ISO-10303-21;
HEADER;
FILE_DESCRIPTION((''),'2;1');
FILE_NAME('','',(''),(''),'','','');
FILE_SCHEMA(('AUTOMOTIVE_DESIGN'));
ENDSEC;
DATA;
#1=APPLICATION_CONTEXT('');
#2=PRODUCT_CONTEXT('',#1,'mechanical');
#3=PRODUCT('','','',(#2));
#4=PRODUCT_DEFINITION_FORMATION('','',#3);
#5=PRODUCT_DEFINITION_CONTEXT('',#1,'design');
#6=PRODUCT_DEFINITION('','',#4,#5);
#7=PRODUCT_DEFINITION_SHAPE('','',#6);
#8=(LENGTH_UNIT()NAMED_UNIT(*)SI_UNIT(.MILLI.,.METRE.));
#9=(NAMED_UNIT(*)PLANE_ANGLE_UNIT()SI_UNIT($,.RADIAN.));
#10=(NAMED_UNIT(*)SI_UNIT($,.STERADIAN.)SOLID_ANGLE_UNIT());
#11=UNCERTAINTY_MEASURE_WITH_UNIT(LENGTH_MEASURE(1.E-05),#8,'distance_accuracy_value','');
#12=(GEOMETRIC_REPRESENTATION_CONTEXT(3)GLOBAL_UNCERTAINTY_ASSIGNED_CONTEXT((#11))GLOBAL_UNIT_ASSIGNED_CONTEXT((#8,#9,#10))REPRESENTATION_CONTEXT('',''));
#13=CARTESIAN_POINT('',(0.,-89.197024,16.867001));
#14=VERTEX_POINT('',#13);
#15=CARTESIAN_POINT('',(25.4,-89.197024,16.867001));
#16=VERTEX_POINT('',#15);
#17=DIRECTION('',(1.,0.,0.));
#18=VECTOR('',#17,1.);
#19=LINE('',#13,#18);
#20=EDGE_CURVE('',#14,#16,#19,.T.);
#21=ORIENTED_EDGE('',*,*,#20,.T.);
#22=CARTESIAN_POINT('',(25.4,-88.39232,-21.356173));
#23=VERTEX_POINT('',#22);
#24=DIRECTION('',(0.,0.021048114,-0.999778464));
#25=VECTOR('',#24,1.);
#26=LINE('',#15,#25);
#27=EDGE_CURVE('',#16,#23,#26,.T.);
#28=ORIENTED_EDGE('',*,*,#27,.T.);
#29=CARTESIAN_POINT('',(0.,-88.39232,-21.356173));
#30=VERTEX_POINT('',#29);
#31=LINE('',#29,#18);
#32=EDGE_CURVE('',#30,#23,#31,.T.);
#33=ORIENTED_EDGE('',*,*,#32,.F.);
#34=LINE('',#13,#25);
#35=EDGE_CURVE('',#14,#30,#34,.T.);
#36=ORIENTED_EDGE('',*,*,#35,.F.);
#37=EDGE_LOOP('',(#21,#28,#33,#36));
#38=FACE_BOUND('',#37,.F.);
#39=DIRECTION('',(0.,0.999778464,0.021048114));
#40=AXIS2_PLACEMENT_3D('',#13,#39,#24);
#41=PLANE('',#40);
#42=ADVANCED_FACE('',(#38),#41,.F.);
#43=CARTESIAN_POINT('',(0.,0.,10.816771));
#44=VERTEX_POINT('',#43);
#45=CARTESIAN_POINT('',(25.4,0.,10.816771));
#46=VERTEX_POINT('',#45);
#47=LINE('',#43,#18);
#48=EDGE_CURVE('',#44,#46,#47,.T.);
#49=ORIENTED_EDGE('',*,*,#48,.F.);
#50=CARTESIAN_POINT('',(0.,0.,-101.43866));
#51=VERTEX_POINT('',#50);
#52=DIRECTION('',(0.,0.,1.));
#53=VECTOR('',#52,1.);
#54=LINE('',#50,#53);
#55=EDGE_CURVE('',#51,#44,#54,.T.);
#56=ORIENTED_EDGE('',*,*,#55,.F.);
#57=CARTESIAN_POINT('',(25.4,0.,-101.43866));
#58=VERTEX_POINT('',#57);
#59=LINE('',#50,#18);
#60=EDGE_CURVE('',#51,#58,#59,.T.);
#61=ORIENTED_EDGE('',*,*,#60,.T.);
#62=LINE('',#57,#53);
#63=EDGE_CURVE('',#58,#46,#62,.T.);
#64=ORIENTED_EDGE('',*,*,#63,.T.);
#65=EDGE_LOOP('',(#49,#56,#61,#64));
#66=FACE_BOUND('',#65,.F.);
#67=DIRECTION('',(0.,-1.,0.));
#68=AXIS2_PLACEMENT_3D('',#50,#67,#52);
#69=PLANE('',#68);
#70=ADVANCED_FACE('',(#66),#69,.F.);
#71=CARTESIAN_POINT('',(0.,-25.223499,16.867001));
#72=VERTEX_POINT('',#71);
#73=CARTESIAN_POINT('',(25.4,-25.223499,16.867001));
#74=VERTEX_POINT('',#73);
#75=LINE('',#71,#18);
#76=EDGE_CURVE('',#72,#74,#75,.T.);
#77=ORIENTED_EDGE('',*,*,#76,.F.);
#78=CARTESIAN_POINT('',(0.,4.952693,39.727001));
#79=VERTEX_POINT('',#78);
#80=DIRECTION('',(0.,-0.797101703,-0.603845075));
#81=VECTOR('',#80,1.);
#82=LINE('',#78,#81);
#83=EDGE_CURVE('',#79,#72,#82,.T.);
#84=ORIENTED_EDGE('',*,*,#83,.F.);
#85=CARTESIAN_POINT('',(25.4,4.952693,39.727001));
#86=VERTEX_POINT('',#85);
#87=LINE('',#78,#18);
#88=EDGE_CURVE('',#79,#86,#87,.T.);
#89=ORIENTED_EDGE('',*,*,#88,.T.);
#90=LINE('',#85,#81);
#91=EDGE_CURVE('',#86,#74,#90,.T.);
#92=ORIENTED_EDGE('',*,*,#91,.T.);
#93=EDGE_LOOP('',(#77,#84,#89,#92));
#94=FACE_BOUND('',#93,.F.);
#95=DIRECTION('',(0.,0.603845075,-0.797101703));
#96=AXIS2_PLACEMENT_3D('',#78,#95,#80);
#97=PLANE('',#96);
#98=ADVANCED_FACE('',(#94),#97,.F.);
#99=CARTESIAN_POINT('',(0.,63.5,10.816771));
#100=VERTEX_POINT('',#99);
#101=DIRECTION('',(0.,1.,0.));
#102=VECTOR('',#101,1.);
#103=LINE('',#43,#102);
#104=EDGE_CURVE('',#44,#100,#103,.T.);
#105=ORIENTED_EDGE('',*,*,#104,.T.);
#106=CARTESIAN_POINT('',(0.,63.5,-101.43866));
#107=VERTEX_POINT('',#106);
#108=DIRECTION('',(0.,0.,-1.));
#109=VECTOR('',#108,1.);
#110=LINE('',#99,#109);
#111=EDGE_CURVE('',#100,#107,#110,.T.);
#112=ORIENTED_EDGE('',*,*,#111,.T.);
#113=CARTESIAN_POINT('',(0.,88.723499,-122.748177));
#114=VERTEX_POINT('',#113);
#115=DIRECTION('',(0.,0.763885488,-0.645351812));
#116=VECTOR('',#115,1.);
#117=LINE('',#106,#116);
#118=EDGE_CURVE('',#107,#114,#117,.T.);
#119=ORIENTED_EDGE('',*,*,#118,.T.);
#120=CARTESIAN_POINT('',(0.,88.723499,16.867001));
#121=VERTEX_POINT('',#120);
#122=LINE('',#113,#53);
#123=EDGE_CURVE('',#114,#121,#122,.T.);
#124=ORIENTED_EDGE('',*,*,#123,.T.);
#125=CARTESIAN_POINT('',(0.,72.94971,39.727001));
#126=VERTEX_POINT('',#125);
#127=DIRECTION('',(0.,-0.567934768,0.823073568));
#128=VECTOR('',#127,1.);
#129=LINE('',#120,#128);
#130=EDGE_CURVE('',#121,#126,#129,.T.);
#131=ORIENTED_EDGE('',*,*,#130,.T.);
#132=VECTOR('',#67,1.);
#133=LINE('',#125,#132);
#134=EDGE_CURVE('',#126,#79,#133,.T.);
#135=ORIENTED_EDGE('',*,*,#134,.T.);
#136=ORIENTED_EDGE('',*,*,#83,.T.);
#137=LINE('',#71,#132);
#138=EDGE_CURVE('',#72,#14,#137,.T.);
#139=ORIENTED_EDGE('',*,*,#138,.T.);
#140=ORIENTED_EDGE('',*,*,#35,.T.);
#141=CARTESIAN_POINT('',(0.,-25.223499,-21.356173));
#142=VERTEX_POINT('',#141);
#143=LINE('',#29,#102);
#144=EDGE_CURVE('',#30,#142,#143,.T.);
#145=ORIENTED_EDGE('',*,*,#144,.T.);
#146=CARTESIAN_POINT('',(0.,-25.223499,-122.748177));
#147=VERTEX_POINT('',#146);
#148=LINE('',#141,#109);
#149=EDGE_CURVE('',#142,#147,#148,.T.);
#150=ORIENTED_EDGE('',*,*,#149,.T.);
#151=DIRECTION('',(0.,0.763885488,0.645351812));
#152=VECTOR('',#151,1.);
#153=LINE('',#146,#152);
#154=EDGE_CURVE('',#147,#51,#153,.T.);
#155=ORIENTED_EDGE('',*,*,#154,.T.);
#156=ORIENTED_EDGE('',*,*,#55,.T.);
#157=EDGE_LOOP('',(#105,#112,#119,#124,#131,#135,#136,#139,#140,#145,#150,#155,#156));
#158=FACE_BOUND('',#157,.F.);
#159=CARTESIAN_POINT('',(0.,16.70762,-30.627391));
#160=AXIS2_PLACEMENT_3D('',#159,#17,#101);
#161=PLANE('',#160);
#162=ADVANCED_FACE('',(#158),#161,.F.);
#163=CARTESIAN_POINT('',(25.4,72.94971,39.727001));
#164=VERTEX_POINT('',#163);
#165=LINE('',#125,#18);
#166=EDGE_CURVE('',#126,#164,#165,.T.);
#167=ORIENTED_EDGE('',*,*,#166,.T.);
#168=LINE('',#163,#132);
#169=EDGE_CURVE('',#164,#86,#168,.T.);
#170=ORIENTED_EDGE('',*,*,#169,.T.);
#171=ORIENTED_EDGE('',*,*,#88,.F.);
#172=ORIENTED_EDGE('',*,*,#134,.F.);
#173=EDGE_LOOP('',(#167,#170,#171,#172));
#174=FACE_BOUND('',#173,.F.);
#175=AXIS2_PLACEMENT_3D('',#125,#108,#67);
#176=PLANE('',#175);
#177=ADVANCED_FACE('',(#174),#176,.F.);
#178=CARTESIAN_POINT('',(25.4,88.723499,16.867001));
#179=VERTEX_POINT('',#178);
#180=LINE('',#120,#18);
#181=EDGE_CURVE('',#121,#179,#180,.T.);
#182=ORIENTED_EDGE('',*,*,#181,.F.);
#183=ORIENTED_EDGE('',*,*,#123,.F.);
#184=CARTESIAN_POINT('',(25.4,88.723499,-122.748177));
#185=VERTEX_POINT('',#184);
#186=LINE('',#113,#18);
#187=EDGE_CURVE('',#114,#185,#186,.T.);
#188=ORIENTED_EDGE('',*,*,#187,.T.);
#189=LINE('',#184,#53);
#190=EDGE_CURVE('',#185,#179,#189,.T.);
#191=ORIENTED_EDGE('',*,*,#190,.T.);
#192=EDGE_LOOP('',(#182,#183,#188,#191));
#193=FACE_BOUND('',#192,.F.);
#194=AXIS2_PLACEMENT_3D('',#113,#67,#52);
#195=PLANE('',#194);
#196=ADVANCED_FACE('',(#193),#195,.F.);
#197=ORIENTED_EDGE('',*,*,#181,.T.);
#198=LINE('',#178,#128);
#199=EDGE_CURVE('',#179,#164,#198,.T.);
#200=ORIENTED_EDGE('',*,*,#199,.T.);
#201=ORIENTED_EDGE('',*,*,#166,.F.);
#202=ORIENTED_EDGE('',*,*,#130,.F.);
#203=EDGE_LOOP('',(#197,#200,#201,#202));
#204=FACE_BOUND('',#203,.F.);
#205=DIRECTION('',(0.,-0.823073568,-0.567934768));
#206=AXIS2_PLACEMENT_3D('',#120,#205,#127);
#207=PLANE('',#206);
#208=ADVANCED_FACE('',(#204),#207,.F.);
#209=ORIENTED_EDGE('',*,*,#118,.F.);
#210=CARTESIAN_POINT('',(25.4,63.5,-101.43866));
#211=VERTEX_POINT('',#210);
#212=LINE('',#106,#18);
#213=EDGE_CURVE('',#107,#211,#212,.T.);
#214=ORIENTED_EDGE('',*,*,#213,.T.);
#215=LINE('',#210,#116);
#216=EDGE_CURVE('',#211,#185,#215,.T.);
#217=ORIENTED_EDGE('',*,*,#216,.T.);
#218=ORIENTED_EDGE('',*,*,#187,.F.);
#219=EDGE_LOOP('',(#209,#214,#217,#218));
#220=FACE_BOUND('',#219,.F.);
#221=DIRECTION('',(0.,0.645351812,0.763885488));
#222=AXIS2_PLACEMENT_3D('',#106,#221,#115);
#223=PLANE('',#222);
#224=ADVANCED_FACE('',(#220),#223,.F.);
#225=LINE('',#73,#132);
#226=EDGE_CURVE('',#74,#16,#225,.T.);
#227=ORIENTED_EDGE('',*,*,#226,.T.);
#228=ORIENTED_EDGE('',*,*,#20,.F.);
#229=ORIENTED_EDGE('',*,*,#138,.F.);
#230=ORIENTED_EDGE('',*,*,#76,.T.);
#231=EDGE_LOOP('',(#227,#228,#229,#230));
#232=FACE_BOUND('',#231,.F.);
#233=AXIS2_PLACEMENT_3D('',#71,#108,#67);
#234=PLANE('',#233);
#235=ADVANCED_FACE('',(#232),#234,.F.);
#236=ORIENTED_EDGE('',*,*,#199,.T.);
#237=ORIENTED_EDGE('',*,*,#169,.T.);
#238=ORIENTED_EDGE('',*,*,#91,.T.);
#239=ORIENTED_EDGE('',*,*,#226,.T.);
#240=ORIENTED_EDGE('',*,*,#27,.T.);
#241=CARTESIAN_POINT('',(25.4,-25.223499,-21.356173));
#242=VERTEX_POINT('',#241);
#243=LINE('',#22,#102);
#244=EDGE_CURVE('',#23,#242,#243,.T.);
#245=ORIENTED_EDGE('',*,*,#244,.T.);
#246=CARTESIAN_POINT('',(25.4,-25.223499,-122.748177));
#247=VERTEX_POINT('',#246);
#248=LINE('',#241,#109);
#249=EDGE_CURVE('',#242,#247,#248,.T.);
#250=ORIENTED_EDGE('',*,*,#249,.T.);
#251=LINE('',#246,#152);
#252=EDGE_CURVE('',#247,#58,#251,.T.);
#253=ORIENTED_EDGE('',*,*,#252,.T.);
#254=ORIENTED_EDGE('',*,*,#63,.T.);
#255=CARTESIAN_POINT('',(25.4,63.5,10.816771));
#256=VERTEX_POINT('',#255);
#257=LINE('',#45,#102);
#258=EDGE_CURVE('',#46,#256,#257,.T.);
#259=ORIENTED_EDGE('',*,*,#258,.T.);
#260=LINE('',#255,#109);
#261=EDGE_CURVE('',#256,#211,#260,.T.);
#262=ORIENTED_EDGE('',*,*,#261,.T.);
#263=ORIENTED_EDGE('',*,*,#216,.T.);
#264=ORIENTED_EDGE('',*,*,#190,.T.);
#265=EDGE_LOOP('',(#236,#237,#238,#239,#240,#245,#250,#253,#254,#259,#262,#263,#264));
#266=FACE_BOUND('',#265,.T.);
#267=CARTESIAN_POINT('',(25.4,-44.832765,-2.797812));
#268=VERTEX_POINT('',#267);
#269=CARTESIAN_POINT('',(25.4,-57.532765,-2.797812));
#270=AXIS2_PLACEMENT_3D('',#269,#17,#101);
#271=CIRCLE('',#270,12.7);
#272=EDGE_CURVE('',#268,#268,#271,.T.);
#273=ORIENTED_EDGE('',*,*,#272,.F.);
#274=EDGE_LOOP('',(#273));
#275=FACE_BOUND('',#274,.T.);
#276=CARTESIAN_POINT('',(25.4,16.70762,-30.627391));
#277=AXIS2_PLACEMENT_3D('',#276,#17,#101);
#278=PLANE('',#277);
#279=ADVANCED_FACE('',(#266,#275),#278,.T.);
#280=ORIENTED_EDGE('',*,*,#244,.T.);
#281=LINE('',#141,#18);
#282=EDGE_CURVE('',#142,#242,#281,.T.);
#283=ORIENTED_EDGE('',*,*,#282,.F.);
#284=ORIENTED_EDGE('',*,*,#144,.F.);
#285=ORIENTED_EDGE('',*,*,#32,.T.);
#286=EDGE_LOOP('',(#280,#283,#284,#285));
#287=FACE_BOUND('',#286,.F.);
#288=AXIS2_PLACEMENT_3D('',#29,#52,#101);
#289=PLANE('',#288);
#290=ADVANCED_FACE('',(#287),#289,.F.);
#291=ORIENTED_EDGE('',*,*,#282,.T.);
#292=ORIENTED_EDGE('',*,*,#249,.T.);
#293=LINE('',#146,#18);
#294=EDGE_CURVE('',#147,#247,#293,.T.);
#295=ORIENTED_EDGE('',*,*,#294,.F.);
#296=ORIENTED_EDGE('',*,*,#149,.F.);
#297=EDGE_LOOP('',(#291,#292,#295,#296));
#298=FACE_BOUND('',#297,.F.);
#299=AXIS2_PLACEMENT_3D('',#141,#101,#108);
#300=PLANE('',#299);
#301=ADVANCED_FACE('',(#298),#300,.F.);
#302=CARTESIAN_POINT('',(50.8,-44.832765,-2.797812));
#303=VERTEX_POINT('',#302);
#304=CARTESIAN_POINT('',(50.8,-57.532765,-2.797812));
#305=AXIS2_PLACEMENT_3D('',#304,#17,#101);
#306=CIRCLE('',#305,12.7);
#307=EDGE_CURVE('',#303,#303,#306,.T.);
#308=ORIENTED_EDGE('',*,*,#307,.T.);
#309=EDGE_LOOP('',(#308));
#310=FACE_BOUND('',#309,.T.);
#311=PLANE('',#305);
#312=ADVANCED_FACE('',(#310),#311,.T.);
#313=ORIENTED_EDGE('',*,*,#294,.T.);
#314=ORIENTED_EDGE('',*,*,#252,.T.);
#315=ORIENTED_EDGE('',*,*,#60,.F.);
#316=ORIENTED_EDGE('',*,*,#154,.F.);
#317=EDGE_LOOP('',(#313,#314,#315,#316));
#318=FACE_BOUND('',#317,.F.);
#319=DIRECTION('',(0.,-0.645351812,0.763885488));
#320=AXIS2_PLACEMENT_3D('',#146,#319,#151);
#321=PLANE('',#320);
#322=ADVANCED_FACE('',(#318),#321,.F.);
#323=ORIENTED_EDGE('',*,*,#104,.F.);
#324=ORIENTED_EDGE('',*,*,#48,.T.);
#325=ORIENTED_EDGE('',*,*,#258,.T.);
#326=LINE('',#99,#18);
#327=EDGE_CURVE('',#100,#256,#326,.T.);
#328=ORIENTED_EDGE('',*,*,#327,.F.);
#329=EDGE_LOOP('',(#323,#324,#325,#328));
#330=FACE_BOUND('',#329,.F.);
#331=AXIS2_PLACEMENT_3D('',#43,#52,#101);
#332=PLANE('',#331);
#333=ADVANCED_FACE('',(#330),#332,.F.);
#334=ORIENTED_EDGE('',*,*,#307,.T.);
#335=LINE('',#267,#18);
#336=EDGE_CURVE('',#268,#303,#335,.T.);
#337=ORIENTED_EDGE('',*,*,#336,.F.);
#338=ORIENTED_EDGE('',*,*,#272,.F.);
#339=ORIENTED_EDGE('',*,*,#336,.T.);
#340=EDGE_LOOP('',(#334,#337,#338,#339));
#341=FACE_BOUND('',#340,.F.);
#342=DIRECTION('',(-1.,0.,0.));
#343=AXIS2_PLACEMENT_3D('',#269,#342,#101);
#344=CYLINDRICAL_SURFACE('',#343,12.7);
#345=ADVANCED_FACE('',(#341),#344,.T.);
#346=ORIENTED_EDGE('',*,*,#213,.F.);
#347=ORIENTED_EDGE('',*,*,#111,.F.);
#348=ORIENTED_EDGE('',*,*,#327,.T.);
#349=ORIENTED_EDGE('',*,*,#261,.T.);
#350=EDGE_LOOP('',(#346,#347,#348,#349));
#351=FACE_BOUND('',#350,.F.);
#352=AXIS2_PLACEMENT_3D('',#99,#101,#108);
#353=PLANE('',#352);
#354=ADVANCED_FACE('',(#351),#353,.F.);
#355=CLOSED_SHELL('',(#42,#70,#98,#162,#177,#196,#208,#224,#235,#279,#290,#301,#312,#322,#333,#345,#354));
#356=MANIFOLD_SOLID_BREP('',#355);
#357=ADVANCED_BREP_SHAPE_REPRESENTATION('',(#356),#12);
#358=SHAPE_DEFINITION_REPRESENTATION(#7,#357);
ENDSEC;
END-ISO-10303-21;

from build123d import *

# Parameters (mm, degrees)
F1_DEPTH = 25.4
F2_R     = 12.7
F3_DEPTH = 25.4


with BuildPart() as f1:
    # F0 (on Right) → F1 (new body)
    with BuildSketch(Plane.YZ):
        Polygon((-25.223499, 16.867001), (-89.197024, 16.867001), (-88.39232, -21.356173), (-25.223499, -21.356173), (-25.223499, -122.748177), (0, -101.43866), (0, 10.816771), (63.5, 10.816771), (63.5, -101.43866), (88.723499, -122.748177), (88.723499, 16.867001), (72.94971, 39.727001), (4.952693, 39.727001), align=None)
    extrude(amount=F1_DEPTH)

    # F2 (on face) → F3 (join)
    with BuildSketch(Plane.YZ.offset(25.4)):
        with Locations((-57.532765, -2.797812)):
            Circle(F2_R)
    extrude(amount=F3_DEPTH)


solid = f1.part
